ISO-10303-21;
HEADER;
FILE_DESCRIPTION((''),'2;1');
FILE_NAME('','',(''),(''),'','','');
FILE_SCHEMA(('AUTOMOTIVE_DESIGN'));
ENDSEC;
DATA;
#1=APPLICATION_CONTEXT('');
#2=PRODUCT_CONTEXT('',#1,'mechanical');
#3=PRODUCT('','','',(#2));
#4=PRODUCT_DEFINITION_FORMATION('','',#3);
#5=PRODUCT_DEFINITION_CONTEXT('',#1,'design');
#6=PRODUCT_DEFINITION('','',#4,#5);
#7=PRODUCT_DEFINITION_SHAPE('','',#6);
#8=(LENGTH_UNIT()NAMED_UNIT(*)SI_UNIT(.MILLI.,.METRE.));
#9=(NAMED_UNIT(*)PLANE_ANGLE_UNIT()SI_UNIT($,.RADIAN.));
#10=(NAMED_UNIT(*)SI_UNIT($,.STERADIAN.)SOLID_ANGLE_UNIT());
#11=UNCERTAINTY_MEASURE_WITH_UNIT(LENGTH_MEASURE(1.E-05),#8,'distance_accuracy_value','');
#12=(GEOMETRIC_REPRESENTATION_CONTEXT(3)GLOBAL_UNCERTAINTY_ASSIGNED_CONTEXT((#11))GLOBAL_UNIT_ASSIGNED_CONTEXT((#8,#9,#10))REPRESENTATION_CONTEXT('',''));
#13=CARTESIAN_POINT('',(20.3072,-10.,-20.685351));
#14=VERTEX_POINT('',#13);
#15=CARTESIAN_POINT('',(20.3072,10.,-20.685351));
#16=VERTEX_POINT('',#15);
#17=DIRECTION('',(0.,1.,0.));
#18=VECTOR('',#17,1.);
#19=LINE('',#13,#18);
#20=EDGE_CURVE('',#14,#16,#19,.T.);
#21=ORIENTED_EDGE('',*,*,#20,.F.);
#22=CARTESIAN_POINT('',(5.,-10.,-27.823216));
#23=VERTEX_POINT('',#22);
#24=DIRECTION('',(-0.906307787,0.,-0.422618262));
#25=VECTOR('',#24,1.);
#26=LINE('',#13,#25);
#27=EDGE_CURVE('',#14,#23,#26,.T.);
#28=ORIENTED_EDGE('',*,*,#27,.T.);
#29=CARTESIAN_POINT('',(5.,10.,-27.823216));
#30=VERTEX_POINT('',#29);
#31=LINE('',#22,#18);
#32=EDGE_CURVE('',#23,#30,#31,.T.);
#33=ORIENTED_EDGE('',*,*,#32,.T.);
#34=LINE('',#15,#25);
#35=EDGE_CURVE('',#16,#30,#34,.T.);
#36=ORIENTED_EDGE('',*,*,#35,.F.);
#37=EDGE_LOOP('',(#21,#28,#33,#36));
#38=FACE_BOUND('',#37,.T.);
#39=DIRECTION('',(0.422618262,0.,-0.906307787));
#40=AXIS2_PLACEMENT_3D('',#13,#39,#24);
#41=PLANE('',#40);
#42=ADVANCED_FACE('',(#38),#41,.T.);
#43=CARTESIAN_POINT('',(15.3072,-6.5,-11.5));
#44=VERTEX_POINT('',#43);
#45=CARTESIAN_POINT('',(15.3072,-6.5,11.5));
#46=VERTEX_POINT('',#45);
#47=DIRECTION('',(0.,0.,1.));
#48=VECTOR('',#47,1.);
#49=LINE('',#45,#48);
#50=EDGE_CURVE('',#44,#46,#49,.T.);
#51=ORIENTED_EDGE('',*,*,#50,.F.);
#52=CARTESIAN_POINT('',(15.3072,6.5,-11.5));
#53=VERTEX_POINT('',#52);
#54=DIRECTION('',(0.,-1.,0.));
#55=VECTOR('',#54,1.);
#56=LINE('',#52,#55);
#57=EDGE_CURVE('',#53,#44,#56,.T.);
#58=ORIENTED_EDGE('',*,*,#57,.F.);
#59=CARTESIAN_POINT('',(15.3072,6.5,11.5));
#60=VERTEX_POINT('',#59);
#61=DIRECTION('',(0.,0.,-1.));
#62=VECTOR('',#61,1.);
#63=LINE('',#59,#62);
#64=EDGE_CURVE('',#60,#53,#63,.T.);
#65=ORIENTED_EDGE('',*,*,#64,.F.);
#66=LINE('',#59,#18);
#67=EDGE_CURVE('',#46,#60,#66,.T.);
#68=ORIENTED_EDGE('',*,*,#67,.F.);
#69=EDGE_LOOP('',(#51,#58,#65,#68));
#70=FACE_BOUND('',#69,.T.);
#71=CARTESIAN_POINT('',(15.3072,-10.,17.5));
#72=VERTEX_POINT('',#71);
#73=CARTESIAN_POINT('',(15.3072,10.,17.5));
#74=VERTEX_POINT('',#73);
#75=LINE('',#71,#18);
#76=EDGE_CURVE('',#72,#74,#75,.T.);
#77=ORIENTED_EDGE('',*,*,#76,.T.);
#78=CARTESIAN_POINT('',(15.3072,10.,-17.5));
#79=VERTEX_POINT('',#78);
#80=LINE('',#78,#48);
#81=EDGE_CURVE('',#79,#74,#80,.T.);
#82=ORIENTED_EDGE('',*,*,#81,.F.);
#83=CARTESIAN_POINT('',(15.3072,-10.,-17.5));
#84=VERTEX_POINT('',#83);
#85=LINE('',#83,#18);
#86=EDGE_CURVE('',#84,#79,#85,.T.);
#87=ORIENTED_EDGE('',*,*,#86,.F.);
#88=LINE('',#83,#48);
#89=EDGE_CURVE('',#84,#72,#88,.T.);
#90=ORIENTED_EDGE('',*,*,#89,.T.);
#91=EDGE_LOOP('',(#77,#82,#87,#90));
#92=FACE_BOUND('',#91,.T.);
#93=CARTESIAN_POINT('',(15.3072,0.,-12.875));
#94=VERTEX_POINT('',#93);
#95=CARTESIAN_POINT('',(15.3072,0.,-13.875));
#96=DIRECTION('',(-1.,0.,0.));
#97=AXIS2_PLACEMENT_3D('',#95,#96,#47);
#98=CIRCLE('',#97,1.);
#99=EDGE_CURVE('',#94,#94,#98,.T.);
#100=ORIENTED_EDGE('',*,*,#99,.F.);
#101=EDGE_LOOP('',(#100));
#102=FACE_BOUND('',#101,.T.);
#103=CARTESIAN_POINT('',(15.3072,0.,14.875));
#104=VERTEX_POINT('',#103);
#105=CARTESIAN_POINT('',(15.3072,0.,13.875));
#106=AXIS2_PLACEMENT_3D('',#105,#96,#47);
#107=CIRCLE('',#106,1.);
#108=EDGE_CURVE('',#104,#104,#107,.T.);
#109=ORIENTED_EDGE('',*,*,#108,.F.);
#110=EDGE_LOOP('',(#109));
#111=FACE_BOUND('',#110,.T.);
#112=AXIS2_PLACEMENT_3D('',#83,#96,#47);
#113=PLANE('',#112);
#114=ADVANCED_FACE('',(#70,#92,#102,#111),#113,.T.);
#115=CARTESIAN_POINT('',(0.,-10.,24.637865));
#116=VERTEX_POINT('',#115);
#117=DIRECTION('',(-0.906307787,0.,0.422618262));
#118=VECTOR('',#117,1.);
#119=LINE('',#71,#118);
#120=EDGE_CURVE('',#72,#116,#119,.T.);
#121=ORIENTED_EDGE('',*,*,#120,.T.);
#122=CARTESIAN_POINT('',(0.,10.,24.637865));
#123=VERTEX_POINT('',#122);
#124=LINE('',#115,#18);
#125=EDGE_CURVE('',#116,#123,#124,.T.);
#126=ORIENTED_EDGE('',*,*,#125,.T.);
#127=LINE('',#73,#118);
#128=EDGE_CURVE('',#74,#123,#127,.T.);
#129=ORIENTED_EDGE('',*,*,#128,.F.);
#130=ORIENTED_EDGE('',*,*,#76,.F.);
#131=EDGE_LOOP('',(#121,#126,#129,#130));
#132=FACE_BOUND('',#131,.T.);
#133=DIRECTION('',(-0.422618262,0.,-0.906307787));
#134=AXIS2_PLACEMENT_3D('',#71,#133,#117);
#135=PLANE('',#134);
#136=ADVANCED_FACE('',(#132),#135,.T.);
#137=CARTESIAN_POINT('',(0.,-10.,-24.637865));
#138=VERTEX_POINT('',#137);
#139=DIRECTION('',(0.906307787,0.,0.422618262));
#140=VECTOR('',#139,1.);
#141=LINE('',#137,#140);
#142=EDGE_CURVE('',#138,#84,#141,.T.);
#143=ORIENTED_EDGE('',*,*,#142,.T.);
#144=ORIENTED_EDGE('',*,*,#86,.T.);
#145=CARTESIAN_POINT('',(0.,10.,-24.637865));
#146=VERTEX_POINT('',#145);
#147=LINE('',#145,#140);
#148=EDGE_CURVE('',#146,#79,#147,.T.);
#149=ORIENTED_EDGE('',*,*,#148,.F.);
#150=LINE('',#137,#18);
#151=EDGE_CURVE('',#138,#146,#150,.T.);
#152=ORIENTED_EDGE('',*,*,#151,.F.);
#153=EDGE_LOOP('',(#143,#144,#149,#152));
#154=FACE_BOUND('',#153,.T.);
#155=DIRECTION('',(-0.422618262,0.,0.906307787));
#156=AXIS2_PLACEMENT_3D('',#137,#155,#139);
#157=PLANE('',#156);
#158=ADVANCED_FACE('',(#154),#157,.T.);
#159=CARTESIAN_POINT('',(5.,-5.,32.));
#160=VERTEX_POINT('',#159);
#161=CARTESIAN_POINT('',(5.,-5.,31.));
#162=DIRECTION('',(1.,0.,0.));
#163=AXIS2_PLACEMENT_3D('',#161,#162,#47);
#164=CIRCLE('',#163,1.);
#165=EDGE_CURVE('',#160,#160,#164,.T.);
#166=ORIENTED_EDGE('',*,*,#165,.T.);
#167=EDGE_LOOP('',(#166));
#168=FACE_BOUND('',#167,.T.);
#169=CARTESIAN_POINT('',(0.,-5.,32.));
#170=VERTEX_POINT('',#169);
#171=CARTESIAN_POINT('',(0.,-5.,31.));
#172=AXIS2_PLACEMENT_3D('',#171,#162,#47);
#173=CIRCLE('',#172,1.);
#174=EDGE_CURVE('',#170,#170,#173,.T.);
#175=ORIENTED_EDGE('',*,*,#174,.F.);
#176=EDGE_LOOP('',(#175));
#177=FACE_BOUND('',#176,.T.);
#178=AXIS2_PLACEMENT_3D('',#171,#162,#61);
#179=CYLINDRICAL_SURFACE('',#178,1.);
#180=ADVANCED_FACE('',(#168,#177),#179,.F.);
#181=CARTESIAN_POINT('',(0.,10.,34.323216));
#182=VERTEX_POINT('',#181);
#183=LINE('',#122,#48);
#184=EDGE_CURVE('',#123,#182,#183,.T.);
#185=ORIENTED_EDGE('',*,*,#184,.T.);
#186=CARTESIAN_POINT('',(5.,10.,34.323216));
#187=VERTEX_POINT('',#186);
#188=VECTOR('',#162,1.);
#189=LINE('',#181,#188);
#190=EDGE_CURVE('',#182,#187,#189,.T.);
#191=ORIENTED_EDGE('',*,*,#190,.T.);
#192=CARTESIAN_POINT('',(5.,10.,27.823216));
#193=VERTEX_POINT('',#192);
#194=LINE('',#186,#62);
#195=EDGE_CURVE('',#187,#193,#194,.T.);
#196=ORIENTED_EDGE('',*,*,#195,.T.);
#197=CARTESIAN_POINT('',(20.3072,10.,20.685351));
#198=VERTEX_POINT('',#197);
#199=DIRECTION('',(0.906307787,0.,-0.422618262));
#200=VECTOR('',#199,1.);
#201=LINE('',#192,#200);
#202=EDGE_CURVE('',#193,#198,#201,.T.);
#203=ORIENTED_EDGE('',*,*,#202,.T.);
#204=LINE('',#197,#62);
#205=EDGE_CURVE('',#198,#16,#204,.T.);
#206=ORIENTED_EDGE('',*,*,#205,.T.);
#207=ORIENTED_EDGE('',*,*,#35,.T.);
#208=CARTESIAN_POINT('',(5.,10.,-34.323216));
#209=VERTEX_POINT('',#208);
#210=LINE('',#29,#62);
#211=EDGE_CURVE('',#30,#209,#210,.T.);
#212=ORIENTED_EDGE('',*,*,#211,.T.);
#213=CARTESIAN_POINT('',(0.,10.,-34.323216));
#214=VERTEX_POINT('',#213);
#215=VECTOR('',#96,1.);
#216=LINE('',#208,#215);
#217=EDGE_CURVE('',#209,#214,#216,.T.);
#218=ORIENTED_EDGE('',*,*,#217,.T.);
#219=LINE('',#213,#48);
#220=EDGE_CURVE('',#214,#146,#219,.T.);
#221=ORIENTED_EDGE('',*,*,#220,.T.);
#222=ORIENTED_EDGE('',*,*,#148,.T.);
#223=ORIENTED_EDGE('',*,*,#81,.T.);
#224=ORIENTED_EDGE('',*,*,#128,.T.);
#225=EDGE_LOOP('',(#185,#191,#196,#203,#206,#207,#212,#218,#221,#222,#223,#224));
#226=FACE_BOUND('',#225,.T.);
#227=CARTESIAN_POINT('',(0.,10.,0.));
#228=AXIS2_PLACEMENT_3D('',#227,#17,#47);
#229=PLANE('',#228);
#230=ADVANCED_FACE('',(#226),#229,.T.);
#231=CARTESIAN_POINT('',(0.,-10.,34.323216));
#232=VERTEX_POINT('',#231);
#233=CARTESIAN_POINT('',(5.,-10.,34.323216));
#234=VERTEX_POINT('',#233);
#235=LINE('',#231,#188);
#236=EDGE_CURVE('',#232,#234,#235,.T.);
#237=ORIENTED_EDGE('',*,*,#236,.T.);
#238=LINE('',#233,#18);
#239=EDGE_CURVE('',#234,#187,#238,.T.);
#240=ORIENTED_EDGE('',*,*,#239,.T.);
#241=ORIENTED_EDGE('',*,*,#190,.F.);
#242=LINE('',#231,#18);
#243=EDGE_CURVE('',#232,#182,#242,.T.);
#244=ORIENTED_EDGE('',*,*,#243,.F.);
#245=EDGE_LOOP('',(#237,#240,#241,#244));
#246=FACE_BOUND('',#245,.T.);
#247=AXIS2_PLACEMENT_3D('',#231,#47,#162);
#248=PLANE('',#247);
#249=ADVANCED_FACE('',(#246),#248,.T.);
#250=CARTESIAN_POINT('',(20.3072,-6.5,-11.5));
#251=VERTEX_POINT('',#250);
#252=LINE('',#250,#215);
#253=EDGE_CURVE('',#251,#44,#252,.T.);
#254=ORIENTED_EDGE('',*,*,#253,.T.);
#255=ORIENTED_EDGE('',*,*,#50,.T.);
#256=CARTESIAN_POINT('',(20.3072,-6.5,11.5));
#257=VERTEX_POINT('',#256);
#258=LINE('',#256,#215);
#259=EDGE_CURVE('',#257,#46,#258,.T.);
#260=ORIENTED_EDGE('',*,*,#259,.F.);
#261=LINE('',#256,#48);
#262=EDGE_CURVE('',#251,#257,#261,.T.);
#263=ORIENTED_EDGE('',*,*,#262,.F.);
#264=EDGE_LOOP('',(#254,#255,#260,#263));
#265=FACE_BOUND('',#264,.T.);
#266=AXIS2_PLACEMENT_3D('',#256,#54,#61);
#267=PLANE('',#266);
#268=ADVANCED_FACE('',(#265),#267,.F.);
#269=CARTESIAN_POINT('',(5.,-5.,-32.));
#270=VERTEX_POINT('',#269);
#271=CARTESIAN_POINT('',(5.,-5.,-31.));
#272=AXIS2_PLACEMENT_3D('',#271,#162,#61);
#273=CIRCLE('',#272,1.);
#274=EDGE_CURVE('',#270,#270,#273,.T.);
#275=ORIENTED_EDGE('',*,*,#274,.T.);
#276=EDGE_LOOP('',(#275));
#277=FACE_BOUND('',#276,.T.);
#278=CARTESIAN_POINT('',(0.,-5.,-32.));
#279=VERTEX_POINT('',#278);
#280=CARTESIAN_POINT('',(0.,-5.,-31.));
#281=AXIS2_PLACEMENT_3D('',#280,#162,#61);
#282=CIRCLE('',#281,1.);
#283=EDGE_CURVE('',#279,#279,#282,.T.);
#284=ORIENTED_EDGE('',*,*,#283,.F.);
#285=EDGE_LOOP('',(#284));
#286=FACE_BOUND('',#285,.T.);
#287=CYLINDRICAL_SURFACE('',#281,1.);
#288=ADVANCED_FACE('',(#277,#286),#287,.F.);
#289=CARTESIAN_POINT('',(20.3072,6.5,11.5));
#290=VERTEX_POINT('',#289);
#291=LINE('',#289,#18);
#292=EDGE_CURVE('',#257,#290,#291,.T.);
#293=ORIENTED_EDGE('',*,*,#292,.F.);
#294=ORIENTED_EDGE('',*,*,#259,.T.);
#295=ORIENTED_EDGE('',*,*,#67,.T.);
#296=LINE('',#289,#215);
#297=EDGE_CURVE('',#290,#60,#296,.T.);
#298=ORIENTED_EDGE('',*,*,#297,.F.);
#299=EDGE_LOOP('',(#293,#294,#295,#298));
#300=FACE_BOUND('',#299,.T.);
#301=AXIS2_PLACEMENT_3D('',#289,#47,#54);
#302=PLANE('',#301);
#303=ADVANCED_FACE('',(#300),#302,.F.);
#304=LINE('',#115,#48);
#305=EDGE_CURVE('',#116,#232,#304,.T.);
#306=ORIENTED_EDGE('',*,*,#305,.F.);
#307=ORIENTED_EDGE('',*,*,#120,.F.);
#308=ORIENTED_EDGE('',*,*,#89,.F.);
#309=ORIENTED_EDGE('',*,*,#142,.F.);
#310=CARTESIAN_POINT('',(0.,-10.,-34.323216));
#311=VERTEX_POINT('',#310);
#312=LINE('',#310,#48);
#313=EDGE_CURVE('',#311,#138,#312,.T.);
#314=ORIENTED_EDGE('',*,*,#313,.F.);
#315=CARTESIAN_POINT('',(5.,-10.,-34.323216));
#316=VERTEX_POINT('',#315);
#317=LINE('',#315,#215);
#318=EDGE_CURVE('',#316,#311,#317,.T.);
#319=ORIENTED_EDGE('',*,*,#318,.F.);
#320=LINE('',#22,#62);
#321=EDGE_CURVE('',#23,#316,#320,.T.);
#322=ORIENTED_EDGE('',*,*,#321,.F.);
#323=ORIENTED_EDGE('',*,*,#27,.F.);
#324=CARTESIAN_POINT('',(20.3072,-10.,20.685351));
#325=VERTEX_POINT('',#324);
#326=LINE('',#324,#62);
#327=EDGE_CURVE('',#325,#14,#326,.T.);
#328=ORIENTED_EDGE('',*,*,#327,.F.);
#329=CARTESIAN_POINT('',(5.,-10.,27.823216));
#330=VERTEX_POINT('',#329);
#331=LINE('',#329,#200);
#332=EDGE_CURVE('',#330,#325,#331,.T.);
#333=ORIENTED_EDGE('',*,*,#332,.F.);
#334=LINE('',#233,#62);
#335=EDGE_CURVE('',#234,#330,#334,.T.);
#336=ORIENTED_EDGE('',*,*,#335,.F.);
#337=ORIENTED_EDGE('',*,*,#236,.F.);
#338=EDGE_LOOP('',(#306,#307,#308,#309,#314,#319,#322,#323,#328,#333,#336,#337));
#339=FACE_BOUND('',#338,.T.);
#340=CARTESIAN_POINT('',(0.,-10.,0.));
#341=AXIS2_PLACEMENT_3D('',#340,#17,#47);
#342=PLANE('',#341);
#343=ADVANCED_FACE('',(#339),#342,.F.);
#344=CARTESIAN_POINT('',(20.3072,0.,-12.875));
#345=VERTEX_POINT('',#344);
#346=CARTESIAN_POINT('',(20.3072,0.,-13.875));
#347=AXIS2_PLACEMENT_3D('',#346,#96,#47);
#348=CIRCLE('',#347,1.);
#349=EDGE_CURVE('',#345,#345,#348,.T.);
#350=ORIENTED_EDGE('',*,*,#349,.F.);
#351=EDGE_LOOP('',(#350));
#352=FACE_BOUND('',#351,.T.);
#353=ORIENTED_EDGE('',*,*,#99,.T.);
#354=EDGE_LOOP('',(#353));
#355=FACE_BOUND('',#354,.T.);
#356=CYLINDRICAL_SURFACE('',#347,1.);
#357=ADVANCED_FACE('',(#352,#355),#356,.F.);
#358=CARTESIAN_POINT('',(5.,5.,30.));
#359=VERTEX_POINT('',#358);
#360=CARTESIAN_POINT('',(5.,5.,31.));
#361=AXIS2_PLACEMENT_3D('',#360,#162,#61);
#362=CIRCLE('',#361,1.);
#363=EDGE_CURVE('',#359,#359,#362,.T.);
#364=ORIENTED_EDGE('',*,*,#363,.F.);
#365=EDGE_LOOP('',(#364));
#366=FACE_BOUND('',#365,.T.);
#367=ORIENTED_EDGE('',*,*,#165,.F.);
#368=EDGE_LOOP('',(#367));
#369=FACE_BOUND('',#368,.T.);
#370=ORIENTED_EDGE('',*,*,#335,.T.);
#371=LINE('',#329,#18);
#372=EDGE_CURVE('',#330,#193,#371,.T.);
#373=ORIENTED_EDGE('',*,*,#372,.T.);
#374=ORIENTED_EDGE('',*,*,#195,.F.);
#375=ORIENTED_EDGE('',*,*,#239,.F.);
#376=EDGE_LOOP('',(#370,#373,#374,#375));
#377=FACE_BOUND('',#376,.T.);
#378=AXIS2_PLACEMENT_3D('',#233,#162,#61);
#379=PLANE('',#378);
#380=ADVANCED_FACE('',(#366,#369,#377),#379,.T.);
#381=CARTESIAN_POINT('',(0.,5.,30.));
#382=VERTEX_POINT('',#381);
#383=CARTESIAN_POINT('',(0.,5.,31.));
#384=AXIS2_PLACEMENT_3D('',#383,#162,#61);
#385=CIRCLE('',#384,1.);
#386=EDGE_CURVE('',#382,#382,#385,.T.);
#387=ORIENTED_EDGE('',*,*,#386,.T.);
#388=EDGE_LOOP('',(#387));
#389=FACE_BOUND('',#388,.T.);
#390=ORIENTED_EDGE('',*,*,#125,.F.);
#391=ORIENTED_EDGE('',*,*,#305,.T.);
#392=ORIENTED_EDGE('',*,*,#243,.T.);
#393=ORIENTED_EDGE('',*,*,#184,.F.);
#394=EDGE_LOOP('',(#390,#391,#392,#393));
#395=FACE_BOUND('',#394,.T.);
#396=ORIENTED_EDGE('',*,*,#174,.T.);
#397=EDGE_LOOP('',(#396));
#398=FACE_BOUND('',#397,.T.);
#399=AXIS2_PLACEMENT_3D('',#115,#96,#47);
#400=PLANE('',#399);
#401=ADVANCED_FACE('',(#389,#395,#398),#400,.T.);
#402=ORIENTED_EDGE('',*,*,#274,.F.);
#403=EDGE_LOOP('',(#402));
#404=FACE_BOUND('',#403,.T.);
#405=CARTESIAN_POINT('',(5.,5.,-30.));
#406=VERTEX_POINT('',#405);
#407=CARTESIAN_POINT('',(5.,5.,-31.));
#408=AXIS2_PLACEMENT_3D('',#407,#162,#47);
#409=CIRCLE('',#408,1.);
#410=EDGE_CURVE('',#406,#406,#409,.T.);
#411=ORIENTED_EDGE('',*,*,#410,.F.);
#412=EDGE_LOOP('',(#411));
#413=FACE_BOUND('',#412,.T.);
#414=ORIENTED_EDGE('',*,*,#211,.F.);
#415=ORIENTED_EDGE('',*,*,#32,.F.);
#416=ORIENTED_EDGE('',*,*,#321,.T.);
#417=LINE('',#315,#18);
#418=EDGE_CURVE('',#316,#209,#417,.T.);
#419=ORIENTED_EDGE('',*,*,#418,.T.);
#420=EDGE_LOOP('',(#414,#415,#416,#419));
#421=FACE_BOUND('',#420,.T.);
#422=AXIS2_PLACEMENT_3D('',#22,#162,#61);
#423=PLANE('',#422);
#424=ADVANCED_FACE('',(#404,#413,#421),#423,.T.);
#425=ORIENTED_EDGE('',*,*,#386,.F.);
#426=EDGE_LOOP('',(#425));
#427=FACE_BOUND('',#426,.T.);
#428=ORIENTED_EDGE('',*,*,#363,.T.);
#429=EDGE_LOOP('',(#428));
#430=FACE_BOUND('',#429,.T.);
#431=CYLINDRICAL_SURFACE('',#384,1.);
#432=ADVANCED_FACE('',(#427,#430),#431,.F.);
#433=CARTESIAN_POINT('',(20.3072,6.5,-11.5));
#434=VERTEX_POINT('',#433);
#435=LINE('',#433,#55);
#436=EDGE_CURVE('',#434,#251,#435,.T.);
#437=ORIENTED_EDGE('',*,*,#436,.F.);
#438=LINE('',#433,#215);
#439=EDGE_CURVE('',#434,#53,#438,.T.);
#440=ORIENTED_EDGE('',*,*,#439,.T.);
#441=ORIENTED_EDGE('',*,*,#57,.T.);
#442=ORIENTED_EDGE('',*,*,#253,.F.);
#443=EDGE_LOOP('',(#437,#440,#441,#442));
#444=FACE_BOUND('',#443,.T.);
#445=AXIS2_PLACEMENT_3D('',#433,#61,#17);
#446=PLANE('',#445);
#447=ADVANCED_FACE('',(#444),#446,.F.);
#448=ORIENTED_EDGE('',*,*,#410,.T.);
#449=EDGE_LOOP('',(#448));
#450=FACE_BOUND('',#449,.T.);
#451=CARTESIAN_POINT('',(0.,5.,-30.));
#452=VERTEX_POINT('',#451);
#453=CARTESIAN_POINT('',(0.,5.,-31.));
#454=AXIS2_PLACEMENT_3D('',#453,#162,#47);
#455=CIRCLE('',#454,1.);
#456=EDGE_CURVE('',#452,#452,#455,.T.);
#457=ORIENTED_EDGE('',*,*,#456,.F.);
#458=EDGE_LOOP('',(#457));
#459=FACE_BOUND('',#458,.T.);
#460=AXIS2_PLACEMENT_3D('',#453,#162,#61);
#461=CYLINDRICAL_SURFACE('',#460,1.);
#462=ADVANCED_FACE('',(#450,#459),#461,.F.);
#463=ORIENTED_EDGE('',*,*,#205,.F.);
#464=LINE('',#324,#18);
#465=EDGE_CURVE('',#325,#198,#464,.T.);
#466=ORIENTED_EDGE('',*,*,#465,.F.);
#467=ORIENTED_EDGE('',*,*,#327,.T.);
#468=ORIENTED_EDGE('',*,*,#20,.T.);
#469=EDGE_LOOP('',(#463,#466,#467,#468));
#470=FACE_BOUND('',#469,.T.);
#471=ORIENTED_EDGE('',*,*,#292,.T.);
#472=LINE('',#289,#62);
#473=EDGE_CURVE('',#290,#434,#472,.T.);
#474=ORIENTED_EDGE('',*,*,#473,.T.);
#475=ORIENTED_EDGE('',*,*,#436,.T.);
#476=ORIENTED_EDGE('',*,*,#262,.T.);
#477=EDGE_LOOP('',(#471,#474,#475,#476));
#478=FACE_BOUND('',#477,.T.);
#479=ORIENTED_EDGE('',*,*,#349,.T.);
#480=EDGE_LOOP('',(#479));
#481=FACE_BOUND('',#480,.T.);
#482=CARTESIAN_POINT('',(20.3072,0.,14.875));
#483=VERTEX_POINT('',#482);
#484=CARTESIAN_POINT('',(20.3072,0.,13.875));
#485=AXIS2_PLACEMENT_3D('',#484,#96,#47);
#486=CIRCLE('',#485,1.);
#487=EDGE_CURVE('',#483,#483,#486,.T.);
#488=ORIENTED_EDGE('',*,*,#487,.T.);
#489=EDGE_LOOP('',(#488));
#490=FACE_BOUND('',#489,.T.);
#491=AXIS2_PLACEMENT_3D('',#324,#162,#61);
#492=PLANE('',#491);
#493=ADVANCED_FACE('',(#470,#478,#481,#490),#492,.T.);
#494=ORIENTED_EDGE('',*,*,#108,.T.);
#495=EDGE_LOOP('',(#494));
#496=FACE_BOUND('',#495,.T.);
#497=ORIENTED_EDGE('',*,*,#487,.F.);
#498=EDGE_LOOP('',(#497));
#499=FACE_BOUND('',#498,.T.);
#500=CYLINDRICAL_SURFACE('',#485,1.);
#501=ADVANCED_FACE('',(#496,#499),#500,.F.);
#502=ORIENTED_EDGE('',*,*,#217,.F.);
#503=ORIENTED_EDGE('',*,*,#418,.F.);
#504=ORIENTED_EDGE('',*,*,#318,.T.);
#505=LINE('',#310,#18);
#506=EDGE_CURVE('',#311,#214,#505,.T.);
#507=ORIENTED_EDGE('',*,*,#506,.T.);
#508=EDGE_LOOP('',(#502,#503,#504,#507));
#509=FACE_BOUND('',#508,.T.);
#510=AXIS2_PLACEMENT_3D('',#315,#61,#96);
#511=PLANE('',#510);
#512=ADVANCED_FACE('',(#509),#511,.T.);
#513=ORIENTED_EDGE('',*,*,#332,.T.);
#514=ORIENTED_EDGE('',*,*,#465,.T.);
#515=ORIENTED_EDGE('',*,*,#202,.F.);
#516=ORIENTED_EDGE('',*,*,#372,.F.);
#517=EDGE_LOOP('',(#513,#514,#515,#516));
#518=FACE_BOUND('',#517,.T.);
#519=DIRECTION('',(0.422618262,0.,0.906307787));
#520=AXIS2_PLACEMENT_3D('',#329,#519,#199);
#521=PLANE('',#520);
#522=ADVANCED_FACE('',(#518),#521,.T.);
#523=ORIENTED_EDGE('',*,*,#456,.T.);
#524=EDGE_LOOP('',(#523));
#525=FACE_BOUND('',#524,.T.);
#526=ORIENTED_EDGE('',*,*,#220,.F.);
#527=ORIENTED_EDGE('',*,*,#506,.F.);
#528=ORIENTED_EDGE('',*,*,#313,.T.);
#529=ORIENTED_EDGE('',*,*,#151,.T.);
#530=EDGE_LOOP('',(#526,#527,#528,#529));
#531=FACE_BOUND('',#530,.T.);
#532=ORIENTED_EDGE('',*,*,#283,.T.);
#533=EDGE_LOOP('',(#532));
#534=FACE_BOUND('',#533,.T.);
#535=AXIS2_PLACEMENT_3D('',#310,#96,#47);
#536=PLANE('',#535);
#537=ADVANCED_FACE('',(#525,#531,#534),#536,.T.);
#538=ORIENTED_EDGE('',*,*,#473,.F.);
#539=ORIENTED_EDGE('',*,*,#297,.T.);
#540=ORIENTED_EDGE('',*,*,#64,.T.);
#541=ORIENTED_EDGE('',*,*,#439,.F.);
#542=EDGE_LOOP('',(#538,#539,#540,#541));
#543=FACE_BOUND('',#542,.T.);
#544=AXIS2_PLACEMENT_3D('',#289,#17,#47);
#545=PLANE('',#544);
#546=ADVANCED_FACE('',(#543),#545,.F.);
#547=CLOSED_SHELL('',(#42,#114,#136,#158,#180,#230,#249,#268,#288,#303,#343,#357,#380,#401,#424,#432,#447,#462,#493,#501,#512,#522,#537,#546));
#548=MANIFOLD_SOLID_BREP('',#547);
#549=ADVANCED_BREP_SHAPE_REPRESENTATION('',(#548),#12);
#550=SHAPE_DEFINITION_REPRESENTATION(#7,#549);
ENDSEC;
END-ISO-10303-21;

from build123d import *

# Parameters (mm, degrees)
BOSS_EXTRUDE1_DEPTH      = 10
BOSS_EXTRUDE1_DEPTH_BACK = 10
SKETCH3_R                = 1
SKETCH3_W                = 23
SKETCH3_H                = 13
CUT_EXTRUDE1_DEPTH       = 39.889503993
SKETCH5_R                = 1
CUT_EXTRUDE2_DEPTH       = 39.889503993


with BuildPart() as part:
    # Sketch1 → Boss-Extrude1 (new, two sides: drawn at the far end of the back side and taken through both)
    with BuildSketch(Plane(origin=(0, 0, 0), x_dir=(1, 0, 0), z_dir=(0, 1, 0)).offset(-BOSS_EXTRUDE1_DEPTH_BACK)):
        Polygon((0, 34.323215889), (0, 24.637864585), (15.3072, 17.5), (15.3072, -17.5), (0, -24.637864585), (0, -34.323215889), (5, -34.323215889), (5, -27.823215889), (20.3072, -20.685351304), (20.3072, 20.685351304), (5, 27.823215889), (5, 34.323215889), align=None)
    extrude(amount=BOSS_EXTRUDE1_DEPTH + BOSS_EXTRUDE1_DEPTH_BACK)

    # Sketch3 → Cut-Extrude1 (cut, through all)
    with BuildSketch(Plane.ZY.offset(-15.3072)):
        with Locations((-13.875, 0)):
            Circle(SKETCH3_R)
        with Locations((13.875, 0)):
            Circle(SKETCH3_R)
        Rectangle(SKETCH3_W, SKETCH3_H)
    extrude(amount=-CUT_EXTRUDE1_DEPTH, mode=Mode.SUBTRACT)

    # Sketch5 → Cut-Extrude2 (cut, through all)
    with BuildSketch(Plane(origin=(5, 0, 0), x_dir=(0, 0, -1), z_dir=(1, 0, 0))):
        with Locations((31, -5)):
            Circle(SKETCH5_R)
        with Locations((31, 5)):
            Circle(SKETCH5_R)
        with Locations((-31, 5)):
            Circle(SKETCH5_R)
        with Locations((-31, -5)):
            Circle(SKETCH5_R)
    extrude(amount=-CUT_EXTRUDE2_DEPTH, mode=Mode.SUBTRACT)


solid = part.part
